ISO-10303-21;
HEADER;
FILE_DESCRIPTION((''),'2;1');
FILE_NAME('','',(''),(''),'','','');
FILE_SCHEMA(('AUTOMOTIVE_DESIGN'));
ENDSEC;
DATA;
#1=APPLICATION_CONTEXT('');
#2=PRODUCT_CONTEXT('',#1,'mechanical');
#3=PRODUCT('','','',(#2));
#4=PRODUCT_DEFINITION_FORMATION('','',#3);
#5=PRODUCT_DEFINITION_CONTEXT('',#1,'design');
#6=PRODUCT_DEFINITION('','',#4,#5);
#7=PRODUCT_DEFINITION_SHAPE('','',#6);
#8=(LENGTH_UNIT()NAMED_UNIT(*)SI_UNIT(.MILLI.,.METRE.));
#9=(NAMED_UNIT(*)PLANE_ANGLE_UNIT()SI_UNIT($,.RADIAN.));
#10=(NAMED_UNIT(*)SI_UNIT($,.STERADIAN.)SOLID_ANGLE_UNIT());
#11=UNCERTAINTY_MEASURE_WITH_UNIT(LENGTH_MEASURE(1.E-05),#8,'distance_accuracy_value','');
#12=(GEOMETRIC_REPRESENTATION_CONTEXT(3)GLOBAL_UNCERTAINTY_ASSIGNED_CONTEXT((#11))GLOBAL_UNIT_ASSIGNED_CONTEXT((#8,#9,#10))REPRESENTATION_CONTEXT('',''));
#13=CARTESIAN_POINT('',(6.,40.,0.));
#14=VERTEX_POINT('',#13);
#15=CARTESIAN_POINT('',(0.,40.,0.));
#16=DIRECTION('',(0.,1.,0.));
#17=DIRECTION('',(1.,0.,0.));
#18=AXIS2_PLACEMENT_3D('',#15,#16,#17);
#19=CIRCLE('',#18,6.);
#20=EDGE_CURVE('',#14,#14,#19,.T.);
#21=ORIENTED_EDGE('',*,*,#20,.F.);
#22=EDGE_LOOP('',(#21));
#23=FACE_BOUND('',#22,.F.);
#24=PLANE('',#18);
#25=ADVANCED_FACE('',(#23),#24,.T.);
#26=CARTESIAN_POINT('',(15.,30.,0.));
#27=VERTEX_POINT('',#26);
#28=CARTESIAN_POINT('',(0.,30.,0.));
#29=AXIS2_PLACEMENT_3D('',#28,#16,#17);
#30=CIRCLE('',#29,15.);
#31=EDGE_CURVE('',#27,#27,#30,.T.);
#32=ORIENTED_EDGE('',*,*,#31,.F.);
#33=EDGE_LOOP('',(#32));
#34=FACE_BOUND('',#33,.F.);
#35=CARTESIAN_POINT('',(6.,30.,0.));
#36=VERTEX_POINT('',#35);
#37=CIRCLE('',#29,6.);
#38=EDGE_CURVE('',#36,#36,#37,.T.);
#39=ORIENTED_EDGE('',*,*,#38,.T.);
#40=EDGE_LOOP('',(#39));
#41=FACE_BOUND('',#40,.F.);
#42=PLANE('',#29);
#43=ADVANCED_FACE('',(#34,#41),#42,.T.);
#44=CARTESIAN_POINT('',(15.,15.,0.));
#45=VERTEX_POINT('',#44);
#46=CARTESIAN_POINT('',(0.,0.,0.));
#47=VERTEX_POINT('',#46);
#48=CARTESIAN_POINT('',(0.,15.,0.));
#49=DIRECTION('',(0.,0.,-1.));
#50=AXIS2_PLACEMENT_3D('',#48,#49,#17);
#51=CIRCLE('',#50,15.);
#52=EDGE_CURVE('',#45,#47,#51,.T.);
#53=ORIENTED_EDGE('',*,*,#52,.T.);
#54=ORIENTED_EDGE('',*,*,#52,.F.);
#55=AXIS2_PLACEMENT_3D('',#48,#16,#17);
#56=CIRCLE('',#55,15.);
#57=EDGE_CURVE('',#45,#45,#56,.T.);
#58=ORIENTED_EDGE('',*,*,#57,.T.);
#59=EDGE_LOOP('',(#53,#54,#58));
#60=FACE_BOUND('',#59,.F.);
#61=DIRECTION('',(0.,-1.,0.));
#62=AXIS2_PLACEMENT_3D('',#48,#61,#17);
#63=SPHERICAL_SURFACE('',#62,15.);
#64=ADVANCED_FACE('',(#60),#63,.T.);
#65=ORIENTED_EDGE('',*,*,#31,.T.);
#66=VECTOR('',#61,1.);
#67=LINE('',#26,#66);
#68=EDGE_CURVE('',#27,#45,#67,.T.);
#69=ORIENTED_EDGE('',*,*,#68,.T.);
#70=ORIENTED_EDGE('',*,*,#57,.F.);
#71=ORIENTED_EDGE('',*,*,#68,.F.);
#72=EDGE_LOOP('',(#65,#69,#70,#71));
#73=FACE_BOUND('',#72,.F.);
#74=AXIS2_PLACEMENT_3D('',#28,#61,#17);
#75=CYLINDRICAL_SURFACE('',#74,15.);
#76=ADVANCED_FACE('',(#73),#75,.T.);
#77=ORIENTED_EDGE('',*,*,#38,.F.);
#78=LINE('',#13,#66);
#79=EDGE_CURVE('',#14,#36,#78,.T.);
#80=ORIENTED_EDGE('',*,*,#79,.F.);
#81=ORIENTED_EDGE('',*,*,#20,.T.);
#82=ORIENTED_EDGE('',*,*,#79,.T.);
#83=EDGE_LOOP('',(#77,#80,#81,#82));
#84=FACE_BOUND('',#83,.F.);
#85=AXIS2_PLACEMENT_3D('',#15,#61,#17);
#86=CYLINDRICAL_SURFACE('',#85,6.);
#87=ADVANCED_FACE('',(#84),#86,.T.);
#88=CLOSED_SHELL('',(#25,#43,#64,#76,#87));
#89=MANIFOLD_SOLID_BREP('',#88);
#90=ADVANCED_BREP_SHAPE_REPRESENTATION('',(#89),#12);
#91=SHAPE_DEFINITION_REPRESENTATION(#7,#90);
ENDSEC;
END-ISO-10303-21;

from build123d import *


with BuildPart() as part:
    # Croquis1 → Revolución1 (revolve)
    with BuildSketch(Plane.XY):
        with BuildLine():
            Line((0, 40), (6, 40))
            Line((6, 40), (6, 30))
            Line((6, 30), (15, 30))
            Line((15, 30), (15, 15))
            ThreePointArc((15, 15), (10.606601718, 4.393398282), (0, 0))
            Line((0, 0), (0, 40))
        make_face()
    revolve(axis=Axis((0, 0, 0), (0, 1, 0)))


solid = part.part
